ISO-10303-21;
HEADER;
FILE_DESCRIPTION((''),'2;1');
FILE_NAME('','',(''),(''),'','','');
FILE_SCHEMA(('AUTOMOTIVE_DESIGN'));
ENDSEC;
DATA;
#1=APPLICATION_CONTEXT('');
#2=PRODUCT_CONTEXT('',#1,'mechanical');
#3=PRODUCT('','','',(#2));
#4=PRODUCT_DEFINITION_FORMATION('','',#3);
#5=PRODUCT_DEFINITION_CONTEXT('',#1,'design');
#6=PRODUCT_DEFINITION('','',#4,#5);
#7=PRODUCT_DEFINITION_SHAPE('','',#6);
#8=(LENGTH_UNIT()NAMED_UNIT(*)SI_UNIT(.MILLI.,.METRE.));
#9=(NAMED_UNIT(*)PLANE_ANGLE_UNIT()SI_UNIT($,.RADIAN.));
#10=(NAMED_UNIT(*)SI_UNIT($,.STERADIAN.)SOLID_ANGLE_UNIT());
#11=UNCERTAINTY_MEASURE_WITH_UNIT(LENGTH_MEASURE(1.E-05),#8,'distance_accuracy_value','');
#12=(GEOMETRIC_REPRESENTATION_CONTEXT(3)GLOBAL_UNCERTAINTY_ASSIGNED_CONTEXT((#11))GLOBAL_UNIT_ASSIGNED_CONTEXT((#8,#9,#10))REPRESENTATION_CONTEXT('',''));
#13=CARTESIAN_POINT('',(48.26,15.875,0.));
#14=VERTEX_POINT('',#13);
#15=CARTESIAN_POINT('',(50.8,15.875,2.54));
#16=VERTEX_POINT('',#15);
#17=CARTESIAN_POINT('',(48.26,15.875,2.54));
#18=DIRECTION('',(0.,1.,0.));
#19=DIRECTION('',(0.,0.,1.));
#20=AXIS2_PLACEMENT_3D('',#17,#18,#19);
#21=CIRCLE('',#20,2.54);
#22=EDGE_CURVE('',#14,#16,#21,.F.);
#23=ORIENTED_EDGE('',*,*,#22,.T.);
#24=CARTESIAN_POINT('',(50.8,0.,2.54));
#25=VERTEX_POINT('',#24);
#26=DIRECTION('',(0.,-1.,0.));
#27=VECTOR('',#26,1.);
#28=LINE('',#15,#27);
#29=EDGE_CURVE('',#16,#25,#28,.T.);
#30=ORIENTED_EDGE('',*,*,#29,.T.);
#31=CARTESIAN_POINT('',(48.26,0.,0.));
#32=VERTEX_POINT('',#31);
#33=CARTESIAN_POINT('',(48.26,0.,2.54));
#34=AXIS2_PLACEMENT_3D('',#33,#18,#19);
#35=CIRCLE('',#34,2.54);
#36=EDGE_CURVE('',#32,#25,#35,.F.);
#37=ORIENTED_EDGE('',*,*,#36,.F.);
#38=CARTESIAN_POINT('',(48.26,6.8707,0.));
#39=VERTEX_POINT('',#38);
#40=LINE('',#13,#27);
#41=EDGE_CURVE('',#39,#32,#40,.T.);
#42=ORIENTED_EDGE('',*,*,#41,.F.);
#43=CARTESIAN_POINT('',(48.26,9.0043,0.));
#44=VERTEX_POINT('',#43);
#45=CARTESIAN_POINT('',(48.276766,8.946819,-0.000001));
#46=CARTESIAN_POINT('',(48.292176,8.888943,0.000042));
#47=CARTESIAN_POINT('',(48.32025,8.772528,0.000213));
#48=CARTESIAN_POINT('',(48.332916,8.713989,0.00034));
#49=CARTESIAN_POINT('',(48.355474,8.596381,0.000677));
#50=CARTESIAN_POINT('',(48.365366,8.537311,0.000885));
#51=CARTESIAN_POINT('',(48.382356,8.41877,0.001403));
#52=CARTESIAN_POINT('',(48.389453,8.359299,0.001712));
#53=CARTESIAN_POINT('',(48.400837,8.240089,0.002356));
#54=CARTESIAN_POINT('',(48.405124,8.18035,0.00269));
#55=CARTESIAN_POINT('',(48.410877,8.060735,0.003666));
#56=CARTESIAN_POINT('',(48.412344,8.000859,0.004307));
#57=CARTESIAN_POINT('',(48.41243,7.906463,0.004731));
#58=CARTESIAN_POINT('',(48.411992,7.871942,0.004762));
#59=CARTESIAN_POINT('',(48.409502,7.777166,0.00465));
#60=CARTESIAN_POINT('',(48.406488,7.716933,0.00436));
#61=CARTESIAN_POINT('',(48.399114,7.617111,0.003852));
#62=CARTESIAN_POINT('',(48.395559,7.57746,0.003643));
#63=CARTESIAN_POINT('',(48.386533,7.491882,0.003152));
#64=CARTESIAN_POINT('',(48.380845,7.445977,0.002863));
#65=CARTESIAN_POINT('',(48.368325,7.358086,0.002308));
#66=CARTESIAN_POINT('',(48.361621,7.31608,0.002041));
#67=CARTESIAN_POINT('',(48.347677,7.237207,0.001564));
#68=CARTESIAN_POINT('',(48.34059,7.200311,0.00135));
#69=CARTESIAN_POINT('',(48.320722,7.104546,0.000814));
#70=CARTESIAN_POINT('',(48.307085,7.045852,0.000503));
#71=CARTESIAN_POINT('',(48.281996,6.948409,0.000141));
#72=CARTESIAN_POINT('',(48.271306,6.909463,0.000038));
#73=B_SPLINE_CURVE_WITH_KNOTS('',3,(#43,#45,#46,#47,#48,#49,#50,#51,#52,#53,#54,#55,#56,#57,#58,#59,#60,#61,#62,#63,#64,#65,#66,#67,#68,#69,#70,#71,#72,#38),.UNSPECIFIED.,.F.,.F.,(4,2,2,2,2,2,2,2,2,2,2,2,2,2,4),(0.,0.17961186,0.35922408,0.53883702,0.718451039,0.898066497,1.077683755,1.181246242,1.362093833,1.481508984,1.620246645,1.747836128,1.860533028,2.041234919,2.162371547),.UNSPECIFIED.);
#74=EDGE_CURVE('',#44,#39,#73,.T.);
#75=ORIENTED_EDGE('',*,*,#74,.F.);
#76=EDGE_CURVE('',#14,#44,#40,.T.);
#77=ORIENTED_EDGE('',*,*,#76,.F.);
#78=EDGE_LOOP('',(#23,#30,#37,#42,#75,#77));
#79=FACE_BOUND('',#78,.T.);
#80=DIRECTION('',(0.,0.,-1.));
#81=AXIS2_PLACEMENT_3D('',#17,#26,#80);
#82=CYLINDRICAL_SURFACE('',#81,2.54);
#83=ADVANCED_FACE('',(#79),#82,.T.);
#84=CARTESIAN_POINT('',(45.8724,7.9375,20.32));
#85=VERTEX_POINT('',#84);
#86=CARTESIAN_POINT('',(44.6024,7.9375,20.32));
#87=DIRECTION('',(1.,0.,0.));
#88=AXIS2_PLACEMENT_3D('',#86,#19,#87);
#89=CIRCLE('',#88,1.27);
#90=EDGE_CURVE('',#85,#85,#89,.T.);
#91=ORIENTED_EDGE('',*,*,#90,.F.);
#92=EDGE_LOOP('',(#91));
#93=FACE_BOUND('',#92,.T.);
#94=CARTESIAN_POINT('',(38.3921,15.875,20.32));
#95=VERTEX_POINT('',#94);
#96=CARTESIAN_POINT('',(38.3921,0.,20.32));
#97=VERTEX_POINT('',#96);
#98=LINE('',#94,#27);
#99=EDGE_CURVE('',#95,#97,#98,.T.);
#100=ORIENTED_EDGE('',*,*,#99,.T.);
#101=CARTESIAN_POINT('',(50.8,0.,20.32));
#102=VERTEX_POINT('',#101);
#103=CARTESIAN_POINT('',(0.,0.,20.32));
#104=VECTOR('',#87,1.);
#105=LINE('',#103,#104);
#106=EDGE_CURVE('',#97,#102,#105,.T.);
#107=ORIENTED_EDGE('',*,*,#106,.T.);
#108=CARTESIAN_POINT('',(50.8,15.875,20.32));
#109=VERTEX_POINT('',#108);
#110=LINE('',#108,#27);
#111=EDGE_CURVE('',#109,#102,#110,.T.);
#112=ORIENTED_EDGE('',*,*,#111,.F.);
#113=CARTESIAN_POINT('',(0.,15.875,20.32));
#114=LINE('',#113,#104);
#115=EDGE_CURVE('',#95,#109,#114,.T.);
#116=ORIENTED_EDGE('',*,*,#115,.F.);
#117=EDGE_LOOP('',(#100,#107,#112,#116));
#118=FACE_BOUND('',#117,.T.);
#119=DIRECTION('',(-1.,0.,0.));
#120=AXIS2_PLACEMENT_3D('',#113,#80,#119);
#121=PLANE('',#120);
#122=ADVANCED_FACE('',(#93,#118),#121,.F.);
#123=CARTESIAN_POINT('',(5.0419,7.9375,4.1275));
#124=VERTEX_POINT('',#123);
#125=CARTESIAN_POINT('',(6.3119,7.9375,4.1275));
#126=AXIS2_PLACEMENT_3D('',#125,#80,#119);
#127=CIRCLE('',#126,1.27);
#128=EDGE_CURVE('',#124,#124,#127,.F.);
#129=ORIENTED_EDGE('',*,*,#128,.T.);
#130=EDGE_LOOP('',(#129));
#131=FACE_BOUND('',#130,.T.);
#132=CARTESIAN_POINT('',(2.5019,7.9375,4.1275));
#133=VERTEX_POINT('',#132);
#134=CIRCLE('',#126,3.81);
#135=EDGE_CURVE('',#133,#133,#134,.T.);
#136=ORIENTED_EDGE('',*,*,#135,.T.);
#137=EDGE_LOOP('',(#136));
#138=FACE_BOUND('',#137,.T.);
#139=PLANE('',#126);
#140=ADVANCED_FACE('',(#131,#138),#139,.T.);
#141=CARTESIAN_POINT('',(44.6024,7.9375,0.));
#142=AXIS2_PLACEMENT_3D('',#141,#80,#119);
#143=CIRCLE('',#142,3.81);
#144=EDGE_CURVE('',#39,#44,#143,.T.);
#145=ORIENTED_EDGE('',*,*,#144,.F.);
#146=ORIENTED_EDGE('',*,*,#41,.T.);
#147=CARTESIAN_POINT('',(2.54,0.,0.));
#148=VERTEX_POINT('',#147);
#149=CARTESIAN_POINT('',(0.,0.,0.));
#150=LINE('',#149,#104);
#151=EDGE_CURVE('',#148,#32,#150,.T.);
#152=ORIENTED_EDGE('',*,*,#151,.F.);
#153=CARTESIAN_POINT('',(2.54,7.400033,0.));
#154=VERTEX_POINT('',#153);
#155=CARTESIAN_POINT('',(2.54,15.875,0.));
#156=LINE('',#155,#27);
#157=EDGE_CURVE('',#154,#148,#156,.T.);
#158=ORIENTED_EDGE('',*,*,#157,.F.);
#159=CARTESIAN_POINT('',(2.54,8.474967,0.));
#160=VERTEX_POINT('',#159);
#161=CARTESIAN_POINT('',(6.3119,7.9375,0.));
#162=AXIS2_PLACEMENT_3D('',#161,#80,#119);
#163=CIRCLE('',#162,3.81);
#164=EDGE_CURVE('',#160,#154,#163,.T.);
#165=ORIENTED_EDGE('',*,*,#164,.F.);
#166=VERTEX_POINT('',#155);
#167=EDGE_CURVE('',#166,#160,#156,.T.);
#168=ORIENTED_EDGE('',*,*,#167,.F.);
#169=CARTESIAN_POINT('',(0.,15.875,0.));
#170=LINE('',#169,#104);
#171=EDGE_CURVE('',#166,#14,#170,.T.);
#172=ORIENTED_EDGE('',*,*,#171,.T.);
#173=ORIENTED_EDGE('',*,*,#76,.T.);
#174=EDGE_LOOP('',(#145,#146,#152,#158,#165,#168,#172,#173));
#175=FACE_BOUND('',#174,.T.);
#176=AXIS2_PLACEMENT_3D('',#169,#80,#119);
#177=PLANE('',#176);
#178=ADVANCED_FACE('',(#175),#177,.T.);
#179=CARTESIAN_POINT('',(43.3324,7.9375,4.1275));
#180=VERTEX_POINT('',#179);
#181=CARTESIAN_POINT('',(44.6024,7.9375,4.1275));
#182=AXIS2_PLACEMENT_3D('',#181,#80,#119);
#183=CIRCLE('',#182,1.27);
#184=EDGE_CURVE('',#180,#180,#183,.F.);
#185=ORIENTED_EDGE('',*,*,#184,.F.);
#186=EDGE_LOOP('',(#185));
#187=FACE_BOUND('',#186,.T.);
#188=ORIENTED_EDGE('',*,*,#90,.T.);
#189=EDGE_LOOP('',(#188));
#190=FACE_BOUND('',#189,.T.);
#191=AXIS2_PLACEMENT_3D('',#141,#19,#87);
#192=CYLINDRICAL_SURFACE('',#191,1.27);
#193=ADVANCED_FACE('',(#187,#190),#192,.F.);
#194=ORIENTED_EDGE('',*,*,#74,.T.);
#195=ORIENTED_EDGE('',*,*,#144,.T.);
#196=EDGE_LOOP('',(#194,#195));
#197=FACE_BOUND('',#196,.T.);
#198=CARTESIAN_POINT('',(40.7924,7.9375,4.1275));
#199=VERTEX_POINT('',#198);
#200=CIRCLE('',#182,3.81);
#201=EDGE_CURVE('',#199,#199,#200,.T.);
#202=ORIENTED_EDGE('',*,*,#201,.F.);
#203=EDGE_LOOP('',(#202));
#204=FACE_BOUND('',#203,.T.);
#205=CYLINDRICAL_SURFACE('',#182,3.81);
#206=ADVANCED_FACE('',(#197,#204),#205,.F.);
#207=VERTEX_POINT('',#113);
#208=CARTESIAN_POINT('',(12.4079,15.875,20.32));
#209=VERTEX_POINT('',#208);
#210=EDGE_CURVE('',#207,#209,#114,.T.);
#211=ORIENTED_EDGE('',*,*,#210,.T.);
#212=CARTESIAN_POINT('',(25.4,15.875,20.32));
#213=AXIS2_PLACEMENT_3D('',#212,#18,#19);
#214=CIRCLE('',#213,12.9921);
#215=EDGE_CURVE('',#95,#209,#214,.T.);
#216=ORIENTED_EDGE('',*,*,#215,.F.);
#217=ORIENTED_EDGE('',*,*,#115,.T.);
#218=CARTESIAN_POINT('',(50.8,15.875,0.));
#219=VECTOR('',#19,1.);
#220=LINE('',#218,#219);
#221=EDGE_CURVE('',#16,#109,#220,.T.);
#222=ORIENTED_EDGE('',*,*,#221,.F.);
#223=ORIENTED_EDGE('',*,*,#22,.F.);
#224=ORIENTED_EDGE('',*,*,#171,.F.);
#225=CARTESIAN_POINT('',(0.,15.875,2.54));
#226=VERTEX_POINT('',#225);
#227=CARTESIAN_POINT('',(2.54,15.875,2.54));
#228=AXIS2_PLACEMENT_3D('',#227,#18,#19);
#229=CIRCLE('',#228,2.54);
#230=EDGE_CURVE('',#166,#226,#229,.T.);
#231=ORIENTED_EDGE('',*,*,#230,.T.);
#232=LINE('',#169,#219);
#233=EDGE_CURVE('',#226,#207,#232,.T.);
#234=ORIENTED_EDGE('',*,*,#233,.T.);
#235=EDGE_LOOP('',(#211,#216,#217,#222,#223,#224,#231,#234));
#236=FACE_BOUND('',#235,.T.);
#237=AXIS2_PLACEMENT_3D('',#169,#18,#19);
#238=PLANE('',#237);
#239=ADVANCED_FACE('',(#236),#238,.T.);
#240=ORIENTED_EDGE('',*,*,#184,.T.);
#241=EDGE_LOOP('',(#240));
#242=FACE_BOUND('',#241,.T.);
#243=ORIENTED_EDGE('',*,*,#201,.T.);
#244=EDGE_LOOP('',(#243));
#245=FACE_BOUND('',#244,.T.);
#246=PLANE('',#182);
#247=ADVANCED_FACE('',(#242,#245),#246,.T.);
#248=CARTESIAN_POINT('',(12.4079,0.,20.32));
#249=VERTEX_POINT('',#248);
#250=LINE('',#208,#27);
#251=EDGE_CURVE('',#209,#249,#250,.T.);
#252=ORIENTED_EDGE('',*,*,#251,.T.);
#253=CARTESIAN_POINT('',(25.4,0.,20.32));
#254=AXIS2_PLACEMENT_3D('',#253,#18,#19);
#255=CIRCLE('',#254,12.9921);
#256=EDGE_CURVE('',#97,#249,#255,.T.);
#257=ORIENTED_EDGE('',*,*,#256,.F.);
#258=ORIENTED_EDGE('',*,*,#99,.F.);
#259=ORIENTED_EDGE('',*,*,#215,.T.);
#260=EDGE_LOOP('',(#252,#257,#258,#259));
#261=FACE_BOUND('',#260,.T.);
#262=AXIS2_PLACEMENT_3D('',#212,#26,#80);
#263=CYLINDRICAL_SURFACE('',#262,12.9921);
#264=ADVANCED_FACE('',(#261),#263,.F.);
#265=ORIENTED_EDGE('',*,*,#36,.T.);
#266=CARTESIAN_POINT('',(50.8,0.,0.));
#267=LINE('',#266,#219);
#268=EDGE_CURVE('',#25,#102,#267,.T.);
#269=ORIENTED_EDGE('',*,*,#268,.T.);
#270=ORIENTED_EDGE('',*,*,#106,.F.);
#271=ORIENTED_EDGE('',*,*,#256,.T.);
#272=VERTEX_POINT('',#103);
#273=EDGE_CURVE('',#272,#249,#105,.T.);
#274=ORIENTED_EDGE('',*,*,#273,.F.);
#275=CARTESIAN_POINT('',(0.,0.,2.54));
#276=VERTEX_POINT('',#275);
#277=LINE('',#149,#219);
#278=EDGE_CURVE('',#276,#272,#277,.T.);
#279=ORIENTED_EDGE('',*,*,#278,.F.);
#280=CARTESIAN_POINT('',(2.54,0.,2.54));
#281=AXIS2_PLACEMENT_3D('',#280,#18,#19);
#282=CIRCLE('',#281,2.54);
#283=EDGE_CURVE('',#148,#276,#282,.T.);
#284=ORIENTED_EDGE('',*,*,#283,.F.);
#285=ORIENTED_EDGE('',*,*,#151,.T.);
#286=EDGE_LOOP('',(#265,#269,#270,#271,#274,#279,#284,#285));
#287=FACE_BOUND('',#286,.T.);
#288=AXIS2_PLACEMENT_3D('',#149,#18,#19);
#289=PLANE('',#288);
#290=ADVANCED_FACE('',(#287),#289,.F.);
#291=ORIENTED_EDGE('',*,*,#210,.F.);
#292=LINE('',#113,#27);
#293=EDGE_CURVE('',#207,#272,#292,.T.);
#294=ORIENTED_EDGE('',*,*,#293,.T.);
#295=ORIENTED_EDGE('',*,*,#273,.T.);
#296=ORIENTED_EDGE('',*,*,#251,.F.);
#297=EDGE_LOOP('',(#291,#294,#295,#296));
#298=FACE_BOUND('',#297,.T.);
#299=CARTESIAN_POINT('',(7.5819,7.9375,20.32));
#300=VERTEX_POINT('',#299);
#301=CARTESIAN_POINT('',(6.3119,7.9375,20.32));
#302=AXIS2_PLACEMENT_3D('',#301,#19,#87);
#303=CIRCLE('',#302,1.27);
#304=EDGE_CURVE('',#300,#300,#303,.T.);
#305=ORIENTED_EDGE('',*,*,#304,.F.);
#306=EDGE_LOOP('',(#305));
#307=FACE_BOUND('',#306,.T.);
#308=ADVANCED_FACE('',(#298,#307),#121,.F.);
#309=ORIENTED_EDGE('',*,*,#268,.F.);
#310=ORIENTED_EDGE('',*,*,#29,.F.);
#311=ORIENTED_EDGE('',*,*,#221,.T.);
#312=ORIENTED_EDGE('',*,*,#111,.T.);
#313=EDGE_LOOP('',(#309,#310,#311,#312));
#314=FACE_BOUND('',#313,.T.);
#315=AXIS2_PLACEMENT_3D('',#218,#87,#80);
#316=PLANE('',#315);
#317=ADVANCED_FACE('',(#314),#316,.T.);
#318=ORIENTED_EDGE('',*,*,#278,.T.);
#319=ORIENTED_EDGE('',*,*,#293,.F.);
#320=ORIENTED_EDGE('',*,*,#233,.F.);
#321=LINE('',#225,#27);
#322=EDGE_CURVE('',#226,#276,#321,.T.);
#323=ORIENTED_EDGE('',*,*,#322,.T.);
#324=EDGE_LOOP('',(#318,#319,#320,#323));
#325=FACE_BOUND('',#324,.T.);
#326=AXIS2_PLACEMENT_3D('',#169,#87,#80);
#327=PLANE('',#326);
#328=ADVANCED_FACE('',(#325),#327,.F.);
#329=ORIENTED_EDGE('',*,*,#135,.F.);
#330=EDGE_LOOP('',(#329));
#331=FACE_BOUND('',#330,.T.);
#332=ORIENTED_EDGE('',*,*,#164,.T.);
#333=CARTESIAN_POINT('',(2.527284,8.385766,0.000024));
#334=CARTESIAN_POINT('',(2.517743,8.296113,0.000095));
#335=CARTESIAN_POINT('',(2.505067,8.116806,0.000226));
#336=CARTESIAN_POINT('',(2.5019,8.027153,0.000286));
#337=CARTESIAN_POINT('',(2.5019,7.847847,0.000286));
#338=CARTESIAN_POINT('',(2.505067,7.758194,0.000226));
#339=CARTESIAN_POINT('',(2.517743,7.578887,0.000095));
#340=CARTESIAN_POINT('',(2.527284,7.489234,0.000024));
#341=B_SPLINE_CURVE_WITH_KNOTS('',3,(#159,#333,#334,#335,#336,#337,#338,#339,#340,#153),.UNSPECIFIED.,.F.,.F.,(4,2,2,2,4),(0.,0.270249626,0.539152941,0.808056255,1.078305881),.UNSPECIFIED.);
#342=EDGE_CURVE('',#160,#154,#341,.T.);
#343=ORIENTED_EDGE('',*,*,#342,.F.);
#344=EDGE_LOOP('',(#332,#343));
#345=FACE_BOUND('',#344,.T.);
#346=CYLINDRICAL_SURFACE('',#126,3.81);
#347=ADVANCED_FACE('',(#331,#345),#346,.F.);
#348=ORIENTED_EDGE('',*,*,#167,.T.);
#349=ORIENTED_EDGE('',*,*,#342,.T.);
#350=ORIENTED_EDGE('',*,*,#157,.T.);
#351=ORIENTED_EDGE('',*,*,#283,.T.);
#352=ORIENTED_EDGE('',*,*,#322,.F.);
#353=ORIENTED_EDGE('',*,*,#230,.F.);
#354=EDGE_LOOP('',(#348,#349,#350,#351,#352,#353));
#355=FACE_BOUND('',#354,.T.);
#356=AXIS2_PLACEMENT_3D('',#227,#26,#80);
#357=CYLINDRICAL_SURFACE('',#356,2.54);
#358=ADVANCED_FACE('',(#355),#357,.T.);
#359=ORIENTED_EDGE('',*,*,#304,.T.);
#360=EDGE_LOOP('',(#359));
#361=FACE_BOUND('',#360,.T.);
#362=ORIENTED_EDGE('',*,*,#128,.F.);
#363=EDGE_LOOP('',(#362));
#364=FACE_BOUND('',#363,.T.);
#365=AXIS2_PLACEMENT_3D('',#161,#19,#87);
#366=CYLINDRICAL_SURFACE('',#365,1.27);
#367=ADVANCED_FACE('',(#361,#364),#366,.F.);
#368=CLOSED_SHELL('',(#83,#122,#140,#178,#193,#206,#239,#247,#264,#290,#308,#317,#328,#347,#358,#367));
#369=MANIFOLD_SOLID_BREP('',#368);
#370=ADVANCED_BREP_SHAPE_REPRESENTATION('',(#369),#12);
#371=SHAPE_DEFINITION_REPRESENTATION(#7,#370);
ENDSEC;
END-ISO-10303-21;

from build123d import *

# Parameters (mm, degrees)
BOSS_EXTRUDE1_DEPTH = 15.875
SKETCH2_R           = 1.27
CUT_EXTRUDE1_DEPTH  = 57.969799236
SKETCH3_R           = 3.81
CUT_EXTRUDE2_DEPTH  = 4.1275


with BuildPart() as part:
    # Sketch1 → Boss-Extrude1 (new body)
    with BuildSketch(Plane(origin=(0, 0, 0), x_dir=(1, 0, 0), z_dir=(0, 1, 0))):
        with BuildLine():
            Line((48.26, 0), (2.54, 0))
            ThreePointArc((2.54, 0), (0.743948776, -0.743948776), (0, -2.54))
            Line((0, -2.54), (0, -20.32))
            Line((0, -20.32), (12.4079, -20.32))
            ThreePointArc((12.4079, -20.32), (25.4, -7.3279), (38.3921, -20.32))
            Line((38.3921, -20.32), (50.8, -20.32))
            Line((50.8, -20.32), (50.8, -2.54))
            ThreePointArc((50.8, -2.54), (50.056051224, -0.743948776), (48.26, 0))
        make_face()
    extrude(amount=BOSS_EXTRUDE1_DEPTH)

    # Sketch2 → Cut-Extrude1 (cut, through all)
    with BuildSketch(Plane.XY.offset(20.32)):
        with Locations((6.3119, 7.9375)):
            Circle(SKETCH2_R)
        with Locations((44.6024, 7.9375)):
            Circle(SKETCH2_R)
    extrude(amount=-CUT_EXTRUDE1_DEPTH, mode=Mode.SUBTRACT)

    # Sketch3 → Cut-Extrude2 (cut)
    with BuildSketch(Plane(origin=(0, 0, 0), x_dir=(-1, 0, 0), z_dir=(0, 0, -1))):
        with Locations((-44.6024, 7.9375)):
            Circle(SKETCH3_R)
        with Locations((-6.3119, 7.9375)):
            Circle(SKETCH3_R)
    extrude(amount=-CUT_EXTRUDE2_DEPTH, mode=Mode.SUBTRACT)


solid = part.part
